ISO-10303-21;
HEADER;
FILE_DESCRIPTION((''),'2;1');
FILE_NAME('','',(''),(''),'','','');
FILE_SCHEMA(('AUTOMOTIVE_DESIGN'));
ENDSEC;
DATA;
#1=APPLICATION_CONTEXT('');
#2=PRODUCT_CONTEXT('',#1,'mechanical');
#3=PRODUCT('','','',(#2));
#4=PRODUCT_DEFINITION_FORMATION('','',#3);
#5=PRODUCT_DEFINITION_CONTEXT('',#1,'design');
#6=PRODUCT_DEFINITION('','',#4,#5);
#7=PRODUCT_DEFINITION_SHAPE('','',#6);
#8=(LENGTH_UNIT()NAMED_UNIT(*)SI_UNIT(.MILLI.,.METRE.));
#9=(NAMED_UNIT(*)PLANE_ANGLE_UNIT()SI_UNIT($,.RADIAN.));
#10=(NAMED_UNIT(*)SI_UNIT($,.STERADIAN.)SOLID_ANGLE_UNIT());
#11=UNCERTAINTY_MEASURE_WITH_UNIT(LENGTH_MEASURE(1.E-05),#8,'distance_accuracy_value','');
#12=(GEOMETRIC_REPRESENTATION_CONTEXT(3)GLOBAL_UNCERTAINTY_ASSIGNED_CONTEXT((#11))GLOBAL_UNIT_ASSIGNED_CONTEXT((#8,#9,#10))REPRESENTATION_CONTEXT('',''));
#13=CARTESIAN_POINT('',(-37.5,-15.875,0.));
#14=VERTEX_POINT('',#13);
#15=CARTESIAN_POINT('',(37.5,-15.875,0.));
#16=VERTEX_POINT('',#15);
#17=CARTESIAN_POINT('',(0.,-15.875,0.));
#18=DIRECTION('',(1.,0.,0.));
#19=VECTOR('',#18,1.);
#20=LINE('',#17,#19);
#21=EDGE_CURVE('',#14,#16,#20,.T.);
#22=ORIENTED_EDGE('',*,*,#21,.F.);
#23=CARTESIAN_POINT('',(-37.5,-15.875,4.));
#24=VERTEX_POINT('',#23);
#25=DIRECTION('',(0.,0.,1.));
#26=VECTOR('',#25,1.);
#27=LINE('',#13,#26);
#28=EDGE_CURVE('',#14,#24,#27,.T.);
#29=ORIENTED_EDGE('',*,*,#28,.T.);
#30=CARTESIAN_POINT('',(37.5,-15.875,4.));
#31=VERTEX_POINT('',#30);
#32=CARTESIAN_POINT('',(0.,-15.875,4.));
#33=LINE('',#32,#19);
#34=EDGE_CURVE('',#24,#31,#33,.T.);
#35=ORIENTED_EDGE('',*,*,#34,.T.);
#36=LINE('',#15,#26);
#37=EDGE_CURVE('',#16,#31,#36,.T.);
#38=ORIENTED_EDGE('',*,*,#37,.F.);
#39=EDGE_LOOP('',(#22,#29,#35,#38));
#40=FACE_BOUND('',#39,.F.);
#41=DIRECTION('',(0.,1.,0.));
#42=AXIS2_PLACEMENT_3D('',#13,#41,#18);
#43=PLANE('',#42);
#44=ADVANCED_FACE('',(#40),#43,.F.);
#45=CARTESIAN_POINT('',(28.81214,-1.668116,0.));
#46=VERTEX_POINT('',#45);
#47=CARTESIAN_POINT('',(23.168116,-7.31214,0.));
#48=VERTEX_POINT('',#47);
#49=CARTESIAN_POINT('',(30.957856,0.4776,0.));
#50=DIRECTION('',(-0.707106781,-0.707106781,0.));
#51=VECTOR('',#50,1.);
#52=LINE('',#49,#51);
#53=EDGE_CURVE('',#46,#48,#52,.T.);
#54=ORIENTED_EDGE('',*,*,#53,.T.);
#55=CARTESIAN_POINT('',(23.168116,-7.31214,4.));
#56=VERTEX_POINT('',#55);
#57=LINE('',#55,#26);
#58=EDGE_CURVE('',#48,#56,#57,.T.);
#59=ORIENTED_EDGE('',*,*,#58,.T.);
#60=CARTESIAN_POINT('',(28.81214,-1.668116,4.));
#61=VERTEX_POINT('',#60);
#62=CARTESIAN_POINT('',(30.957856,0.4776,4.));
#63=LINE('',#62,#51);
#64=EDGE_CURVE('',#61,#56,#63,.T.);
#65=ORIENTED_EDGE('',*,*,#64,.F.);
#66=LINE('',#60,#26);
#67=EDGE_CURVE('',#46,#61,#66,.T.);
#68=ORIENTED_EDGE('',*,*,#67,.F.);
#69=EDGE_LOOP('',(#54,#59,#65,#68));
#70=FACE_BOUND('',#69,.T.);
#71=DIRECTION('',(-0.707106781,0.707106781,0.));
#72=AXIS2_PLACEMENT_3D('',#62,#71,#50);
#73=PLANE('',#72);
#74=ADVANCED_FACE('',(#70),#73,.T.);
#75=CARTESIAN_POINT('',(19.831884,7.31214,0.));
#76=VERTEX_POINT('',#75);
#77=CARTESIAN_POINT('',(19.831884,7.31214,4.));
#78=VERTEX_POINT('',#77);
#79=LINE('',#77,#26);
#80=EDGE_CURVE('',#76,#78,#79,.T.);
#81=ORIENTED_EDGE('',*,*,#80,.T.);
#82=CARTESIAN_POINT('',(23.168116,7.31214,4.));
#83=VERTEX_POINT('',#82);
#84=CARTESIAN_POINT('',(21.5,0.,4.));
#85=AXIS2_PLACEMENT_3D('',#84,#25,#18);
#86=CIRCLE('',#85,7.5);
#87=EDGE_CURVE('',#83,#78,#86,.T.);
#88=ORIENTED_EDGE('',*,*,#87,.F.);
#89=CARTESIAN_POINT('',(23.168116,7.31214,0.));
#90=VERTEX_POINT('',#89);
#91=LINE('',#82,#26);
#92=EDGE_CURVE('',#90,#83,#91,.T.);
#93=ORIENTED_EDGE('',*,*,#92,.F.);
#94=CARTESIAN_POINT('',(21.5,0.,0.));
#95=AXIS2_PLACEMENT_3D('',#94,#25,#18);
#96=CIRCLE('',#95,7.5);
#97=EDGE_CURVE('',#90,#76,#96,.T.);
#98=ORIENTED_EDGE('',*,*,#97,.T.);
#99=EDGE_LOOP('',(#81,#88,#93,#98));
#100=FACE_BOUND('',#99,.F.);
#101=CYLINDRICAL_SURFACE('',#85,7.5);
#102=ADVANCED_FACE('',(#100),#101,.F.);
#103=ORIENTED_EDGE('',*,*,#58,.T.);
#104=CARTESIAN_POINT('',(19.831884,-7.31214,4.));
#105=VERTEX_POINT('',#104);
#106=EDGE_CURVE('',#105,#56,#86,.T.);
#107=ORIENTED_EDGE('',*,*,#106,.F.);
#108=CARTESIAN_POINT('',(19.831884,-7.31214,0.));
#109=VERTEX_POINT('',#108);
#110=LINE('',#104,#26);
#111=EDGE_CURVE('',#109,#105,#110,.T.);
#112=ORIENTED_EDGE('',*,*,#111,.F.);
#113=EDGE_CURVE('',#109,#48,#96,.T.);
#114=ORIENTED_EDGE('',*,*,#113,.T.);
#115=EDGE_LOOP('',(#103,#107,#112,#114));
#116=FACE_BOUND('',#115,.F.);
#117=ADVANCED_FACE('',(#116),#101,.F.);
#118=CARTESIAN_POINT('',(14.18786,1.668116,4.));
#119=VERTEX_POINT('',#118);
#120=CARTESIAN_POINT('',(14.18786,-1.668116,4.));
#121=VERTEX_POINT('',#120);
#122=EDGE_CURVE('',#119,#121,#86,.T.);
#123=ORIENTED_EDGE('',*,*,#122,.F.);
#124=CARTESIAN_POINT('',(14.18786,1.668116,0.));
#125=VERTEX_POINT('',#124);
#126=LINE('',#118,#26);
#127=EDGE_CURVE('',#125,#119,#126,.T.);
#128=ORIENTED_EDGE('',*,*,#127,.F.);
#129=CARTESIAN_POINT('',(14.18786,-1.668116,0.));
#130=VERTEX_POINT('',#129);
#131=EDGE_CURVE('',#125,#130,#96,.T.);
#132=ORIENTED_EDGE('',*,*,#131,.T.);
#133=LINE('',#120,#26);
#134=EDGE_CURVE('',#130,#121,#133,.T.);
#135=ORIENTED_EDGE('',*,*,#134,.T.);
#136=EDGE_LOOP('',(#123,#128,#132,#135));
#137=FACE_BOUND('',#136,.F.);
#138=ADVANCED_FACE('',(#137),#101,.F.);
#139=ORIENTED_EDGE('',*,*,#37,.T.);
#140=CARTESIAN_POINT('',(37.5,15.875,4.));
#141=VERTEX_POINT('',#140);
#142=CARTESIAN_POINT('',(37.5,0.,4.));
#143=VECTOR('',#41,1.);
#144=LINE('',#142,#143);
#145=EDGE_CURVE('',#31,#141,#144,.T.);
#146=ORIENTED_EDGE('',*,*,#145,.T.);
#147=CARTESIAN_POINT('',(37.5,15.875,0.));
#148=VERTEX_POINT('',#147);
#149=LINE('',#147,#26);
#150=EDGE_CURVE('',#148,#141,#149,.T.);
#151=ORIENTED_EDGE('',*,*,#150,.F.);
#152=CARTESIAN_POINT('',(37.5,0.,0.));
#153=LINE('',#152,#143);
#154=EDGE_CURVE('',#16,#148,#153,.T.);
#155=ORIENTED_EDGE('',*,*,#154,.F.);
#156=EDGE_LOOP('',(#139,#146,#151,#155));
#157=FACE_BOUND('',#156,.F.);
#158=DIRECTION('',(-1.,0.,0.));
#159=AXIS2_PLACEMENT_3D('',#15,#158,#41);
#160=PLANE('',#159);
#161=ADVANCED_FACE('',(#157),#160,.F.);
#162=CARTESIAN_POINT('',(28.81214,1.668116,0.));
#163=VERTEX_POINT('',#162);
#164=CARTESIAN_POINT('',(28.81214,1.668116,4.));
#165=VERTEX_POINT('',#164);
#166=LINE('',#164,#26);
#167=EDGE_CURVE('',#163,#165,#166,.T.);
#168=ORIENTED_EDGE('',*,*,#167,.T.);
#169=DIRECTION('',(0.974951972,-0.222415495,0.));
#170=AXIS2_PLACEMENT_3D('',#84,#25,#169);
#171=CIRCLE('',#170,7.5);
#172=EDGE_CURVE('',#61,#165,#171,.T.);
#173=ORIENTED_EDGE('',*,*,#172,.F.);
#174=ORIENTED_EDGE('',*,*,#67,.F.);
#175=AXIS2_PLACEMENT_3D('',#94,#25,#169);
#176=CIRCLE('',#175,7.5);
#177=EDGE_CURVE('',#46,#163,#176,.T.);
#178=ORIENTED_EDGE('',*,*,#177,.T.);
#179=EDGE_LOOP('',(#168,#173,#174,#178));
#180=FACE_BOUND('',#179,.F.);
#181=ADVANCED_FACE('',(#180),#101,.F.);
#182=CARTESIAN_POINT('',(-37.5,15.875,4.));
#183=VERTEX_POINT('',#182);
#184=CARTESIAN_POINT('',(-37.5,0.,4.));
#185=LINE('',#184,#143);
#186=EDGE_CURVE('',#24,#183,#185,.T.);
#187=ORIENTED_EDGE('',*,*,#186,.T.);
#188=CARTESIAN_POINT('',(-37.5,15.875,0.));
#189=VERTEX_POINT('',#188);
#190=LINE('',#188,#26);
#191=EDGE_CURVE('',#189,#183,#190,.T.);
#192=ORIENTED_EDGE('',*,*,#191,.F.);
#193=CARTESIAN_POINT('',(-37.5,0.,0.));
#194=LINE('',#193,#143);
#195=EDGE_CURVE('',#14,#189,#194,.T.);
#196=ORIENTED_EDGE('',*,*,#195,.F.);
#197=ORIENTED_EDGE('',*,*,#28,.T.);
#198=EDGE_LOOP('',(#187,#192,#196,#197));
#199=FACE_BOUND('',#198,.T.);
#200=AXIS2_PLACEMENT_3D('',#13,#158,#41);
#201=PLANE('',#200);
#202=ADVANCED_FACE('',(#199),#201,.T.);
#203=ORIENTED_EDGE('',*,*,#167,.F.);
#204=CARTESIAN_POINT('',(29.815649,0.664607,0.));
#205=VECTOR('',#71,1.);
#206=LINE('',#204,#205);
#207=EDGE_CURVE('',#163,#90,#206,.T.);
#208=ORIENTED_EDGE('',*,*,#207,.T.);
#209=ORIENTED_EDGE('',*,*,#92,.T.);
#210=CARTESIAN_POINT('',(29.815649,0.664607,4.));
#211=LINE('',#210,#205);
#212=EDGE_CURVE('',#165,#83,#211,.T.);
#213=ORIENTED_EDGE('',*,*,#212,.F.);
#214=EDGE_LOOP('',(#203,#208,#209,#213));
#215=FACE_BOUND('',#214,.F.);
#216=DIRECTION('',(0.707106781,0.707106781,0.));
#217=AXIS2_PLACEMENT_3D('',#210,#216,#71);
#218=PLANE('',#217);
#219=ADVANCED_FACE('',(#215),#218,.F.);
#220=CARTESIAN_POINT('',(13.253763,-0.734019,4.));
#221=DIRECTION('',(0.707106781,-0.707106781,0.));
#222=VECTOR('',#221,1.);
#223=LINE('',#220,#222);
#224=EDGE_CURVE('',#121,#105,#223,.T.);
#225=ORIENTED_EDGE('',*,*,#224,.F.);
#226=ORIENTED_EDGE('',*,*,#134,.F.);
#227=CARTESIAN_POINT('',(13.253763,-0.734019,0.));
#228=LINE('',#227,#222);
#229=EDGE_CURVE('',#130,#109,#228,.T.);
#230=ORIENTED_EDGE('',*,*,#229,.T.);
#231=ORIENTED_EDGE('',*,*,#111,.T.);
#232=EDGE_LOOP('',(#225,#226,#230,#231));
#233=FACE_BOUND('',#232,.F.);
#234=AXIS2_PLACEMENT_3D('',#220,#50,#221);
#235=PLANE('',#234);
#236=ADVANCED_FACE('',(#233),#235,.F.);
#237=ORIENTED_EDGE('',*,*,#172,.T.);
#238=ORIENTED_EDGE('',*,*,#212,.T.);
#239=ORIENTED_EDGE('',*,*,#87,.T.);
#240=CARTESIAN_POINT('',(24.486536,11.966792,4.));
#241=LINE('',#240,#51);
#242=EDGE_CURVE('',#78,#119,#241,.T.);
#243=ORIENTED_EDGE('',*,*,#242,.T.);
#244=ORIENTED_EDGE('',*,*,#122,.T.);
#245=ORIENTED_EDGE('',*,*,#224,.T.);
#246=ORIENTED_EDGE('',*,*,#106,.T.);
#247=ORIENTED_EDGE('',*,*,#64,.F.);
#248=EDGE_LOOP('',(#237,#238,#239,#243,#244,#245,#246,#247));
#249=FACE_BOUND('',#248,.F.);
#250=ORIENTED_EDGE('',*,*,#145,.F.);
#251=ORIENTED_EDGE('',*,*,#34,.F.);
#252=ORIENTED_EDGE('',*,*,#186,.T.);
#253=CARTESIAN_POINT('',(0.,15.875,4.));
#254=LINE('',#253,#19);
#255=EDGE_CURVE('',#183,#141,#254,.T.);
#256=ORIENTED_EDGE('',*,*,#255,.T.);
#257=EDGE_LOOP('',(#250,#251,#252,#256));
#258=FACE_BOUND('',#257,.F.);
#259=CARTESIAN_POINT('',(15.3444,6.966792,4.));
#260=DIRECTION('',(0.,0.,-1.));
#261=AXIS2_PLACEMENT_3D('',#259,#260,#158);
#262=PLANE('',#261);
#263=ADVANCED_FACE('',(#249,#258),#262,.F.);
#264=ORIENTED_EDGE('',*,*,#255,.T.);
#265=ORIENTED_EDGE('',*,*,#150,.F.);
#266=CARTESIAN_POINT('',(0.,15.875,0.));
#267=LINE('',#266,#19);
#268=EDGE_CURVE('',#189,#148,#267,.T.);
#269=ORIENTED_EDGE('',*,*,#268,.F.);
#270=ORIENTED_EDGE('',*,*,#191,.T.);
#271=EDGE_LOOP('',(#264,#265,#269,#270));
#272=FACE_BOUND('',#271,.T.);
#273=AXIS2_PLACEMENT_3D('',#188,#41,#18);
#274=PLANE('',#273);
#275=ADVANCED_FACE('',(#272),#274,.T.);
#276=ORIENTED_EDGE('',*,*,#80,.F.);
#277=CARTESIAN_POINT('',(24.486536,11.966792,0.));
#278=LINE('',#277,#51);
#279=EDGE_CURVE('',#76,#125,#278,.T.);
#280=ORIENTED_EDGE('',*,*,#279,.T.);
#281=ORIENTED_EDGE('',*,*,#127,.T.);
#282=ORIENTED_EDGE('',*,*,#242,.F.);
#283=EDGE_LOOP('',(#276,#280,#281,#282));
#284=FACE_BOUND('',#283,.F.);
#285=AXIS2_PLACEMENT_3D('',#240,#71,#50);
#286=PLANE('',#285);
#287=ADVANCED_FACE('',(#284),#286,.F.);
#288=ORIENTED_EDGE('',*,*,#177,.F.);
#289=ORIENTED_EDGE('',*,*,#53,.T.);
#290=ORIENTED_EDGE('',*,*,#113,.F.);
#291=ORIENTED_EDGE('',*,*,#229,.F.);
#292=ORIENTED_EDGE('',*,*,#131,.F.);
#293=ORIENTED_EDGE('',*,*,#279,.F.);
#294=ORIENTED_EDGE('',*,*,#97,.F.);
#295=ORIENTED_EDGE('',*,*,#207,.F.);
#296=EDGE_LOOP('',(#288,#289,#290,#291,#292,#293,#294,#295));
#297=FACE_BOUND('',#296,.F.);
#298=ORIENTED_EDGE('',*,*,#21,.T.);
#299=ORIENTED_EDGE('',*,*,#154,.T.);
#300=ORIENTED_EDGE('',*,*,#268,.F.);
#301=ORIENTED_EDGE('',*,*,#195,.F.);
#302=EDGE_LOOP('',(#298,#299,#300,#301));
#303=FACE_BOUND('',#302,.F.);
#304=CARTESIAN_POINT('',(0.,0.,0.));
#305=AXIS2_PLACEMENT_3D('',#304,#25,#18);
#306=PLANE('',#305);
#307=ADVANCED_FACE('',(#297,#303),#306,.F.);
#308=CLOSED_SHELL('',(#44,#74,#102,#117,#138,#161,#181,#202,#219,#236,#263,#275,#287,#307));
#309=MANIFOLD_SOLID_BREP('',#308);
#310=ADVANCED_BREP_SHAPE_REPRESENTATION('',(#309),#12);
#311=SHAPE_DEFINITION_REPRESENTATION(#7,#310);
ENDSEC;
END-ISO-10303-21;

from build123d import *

# Parameters (mm, degrees)
SKETCH_W     = 75
SKETCH_H     = 31.75
PAD_DEPTH    = 4
SKETCH001_R  = 7.5
POCKET_DEPTH = 4.001
PAD001_DEPTH = 4


with BuildPart() as part:
    # Sketch → Pad (new body)
    with BuildSketch(Plane.XY):
        Rectangle(SKETCH_W, SKETCH_H)
    extrude(amount=PAD_DEPTH)

    # Sketch001 → Pocket (cut, through all)
    with BuildSketch(Plane.XY.offset(4)):
        with Locations((21.5, 0)):
            Circle(SKETCH001_R)
    extrude(amount=-POCKET_DEPTH, mode=Mode.SUBTRACT)

    # Sketch002 → Pad001 (new body)
    with BuildSketch(Plane.XY.offset(4)):
        Polygon((24.486536, 11.966792), (10.3444, -2.175344), (10.3444, 11.966792), align=None)
        Polygon((29.815649, 0.664607), (21.707865, 8.772391), (34.469826, 11.738337), align=None)
        Polygon((30.957856, 0.4776), (22.4028, -8.077456), (35.779438, -11.627933), align=None)
        Polygon((13.253763, -0.734019), (21.279048, -8.759304), (7.24554, -12.506914), align=None)
    extrude(amount=-PAD001_DEPTH)


solid = part.part
